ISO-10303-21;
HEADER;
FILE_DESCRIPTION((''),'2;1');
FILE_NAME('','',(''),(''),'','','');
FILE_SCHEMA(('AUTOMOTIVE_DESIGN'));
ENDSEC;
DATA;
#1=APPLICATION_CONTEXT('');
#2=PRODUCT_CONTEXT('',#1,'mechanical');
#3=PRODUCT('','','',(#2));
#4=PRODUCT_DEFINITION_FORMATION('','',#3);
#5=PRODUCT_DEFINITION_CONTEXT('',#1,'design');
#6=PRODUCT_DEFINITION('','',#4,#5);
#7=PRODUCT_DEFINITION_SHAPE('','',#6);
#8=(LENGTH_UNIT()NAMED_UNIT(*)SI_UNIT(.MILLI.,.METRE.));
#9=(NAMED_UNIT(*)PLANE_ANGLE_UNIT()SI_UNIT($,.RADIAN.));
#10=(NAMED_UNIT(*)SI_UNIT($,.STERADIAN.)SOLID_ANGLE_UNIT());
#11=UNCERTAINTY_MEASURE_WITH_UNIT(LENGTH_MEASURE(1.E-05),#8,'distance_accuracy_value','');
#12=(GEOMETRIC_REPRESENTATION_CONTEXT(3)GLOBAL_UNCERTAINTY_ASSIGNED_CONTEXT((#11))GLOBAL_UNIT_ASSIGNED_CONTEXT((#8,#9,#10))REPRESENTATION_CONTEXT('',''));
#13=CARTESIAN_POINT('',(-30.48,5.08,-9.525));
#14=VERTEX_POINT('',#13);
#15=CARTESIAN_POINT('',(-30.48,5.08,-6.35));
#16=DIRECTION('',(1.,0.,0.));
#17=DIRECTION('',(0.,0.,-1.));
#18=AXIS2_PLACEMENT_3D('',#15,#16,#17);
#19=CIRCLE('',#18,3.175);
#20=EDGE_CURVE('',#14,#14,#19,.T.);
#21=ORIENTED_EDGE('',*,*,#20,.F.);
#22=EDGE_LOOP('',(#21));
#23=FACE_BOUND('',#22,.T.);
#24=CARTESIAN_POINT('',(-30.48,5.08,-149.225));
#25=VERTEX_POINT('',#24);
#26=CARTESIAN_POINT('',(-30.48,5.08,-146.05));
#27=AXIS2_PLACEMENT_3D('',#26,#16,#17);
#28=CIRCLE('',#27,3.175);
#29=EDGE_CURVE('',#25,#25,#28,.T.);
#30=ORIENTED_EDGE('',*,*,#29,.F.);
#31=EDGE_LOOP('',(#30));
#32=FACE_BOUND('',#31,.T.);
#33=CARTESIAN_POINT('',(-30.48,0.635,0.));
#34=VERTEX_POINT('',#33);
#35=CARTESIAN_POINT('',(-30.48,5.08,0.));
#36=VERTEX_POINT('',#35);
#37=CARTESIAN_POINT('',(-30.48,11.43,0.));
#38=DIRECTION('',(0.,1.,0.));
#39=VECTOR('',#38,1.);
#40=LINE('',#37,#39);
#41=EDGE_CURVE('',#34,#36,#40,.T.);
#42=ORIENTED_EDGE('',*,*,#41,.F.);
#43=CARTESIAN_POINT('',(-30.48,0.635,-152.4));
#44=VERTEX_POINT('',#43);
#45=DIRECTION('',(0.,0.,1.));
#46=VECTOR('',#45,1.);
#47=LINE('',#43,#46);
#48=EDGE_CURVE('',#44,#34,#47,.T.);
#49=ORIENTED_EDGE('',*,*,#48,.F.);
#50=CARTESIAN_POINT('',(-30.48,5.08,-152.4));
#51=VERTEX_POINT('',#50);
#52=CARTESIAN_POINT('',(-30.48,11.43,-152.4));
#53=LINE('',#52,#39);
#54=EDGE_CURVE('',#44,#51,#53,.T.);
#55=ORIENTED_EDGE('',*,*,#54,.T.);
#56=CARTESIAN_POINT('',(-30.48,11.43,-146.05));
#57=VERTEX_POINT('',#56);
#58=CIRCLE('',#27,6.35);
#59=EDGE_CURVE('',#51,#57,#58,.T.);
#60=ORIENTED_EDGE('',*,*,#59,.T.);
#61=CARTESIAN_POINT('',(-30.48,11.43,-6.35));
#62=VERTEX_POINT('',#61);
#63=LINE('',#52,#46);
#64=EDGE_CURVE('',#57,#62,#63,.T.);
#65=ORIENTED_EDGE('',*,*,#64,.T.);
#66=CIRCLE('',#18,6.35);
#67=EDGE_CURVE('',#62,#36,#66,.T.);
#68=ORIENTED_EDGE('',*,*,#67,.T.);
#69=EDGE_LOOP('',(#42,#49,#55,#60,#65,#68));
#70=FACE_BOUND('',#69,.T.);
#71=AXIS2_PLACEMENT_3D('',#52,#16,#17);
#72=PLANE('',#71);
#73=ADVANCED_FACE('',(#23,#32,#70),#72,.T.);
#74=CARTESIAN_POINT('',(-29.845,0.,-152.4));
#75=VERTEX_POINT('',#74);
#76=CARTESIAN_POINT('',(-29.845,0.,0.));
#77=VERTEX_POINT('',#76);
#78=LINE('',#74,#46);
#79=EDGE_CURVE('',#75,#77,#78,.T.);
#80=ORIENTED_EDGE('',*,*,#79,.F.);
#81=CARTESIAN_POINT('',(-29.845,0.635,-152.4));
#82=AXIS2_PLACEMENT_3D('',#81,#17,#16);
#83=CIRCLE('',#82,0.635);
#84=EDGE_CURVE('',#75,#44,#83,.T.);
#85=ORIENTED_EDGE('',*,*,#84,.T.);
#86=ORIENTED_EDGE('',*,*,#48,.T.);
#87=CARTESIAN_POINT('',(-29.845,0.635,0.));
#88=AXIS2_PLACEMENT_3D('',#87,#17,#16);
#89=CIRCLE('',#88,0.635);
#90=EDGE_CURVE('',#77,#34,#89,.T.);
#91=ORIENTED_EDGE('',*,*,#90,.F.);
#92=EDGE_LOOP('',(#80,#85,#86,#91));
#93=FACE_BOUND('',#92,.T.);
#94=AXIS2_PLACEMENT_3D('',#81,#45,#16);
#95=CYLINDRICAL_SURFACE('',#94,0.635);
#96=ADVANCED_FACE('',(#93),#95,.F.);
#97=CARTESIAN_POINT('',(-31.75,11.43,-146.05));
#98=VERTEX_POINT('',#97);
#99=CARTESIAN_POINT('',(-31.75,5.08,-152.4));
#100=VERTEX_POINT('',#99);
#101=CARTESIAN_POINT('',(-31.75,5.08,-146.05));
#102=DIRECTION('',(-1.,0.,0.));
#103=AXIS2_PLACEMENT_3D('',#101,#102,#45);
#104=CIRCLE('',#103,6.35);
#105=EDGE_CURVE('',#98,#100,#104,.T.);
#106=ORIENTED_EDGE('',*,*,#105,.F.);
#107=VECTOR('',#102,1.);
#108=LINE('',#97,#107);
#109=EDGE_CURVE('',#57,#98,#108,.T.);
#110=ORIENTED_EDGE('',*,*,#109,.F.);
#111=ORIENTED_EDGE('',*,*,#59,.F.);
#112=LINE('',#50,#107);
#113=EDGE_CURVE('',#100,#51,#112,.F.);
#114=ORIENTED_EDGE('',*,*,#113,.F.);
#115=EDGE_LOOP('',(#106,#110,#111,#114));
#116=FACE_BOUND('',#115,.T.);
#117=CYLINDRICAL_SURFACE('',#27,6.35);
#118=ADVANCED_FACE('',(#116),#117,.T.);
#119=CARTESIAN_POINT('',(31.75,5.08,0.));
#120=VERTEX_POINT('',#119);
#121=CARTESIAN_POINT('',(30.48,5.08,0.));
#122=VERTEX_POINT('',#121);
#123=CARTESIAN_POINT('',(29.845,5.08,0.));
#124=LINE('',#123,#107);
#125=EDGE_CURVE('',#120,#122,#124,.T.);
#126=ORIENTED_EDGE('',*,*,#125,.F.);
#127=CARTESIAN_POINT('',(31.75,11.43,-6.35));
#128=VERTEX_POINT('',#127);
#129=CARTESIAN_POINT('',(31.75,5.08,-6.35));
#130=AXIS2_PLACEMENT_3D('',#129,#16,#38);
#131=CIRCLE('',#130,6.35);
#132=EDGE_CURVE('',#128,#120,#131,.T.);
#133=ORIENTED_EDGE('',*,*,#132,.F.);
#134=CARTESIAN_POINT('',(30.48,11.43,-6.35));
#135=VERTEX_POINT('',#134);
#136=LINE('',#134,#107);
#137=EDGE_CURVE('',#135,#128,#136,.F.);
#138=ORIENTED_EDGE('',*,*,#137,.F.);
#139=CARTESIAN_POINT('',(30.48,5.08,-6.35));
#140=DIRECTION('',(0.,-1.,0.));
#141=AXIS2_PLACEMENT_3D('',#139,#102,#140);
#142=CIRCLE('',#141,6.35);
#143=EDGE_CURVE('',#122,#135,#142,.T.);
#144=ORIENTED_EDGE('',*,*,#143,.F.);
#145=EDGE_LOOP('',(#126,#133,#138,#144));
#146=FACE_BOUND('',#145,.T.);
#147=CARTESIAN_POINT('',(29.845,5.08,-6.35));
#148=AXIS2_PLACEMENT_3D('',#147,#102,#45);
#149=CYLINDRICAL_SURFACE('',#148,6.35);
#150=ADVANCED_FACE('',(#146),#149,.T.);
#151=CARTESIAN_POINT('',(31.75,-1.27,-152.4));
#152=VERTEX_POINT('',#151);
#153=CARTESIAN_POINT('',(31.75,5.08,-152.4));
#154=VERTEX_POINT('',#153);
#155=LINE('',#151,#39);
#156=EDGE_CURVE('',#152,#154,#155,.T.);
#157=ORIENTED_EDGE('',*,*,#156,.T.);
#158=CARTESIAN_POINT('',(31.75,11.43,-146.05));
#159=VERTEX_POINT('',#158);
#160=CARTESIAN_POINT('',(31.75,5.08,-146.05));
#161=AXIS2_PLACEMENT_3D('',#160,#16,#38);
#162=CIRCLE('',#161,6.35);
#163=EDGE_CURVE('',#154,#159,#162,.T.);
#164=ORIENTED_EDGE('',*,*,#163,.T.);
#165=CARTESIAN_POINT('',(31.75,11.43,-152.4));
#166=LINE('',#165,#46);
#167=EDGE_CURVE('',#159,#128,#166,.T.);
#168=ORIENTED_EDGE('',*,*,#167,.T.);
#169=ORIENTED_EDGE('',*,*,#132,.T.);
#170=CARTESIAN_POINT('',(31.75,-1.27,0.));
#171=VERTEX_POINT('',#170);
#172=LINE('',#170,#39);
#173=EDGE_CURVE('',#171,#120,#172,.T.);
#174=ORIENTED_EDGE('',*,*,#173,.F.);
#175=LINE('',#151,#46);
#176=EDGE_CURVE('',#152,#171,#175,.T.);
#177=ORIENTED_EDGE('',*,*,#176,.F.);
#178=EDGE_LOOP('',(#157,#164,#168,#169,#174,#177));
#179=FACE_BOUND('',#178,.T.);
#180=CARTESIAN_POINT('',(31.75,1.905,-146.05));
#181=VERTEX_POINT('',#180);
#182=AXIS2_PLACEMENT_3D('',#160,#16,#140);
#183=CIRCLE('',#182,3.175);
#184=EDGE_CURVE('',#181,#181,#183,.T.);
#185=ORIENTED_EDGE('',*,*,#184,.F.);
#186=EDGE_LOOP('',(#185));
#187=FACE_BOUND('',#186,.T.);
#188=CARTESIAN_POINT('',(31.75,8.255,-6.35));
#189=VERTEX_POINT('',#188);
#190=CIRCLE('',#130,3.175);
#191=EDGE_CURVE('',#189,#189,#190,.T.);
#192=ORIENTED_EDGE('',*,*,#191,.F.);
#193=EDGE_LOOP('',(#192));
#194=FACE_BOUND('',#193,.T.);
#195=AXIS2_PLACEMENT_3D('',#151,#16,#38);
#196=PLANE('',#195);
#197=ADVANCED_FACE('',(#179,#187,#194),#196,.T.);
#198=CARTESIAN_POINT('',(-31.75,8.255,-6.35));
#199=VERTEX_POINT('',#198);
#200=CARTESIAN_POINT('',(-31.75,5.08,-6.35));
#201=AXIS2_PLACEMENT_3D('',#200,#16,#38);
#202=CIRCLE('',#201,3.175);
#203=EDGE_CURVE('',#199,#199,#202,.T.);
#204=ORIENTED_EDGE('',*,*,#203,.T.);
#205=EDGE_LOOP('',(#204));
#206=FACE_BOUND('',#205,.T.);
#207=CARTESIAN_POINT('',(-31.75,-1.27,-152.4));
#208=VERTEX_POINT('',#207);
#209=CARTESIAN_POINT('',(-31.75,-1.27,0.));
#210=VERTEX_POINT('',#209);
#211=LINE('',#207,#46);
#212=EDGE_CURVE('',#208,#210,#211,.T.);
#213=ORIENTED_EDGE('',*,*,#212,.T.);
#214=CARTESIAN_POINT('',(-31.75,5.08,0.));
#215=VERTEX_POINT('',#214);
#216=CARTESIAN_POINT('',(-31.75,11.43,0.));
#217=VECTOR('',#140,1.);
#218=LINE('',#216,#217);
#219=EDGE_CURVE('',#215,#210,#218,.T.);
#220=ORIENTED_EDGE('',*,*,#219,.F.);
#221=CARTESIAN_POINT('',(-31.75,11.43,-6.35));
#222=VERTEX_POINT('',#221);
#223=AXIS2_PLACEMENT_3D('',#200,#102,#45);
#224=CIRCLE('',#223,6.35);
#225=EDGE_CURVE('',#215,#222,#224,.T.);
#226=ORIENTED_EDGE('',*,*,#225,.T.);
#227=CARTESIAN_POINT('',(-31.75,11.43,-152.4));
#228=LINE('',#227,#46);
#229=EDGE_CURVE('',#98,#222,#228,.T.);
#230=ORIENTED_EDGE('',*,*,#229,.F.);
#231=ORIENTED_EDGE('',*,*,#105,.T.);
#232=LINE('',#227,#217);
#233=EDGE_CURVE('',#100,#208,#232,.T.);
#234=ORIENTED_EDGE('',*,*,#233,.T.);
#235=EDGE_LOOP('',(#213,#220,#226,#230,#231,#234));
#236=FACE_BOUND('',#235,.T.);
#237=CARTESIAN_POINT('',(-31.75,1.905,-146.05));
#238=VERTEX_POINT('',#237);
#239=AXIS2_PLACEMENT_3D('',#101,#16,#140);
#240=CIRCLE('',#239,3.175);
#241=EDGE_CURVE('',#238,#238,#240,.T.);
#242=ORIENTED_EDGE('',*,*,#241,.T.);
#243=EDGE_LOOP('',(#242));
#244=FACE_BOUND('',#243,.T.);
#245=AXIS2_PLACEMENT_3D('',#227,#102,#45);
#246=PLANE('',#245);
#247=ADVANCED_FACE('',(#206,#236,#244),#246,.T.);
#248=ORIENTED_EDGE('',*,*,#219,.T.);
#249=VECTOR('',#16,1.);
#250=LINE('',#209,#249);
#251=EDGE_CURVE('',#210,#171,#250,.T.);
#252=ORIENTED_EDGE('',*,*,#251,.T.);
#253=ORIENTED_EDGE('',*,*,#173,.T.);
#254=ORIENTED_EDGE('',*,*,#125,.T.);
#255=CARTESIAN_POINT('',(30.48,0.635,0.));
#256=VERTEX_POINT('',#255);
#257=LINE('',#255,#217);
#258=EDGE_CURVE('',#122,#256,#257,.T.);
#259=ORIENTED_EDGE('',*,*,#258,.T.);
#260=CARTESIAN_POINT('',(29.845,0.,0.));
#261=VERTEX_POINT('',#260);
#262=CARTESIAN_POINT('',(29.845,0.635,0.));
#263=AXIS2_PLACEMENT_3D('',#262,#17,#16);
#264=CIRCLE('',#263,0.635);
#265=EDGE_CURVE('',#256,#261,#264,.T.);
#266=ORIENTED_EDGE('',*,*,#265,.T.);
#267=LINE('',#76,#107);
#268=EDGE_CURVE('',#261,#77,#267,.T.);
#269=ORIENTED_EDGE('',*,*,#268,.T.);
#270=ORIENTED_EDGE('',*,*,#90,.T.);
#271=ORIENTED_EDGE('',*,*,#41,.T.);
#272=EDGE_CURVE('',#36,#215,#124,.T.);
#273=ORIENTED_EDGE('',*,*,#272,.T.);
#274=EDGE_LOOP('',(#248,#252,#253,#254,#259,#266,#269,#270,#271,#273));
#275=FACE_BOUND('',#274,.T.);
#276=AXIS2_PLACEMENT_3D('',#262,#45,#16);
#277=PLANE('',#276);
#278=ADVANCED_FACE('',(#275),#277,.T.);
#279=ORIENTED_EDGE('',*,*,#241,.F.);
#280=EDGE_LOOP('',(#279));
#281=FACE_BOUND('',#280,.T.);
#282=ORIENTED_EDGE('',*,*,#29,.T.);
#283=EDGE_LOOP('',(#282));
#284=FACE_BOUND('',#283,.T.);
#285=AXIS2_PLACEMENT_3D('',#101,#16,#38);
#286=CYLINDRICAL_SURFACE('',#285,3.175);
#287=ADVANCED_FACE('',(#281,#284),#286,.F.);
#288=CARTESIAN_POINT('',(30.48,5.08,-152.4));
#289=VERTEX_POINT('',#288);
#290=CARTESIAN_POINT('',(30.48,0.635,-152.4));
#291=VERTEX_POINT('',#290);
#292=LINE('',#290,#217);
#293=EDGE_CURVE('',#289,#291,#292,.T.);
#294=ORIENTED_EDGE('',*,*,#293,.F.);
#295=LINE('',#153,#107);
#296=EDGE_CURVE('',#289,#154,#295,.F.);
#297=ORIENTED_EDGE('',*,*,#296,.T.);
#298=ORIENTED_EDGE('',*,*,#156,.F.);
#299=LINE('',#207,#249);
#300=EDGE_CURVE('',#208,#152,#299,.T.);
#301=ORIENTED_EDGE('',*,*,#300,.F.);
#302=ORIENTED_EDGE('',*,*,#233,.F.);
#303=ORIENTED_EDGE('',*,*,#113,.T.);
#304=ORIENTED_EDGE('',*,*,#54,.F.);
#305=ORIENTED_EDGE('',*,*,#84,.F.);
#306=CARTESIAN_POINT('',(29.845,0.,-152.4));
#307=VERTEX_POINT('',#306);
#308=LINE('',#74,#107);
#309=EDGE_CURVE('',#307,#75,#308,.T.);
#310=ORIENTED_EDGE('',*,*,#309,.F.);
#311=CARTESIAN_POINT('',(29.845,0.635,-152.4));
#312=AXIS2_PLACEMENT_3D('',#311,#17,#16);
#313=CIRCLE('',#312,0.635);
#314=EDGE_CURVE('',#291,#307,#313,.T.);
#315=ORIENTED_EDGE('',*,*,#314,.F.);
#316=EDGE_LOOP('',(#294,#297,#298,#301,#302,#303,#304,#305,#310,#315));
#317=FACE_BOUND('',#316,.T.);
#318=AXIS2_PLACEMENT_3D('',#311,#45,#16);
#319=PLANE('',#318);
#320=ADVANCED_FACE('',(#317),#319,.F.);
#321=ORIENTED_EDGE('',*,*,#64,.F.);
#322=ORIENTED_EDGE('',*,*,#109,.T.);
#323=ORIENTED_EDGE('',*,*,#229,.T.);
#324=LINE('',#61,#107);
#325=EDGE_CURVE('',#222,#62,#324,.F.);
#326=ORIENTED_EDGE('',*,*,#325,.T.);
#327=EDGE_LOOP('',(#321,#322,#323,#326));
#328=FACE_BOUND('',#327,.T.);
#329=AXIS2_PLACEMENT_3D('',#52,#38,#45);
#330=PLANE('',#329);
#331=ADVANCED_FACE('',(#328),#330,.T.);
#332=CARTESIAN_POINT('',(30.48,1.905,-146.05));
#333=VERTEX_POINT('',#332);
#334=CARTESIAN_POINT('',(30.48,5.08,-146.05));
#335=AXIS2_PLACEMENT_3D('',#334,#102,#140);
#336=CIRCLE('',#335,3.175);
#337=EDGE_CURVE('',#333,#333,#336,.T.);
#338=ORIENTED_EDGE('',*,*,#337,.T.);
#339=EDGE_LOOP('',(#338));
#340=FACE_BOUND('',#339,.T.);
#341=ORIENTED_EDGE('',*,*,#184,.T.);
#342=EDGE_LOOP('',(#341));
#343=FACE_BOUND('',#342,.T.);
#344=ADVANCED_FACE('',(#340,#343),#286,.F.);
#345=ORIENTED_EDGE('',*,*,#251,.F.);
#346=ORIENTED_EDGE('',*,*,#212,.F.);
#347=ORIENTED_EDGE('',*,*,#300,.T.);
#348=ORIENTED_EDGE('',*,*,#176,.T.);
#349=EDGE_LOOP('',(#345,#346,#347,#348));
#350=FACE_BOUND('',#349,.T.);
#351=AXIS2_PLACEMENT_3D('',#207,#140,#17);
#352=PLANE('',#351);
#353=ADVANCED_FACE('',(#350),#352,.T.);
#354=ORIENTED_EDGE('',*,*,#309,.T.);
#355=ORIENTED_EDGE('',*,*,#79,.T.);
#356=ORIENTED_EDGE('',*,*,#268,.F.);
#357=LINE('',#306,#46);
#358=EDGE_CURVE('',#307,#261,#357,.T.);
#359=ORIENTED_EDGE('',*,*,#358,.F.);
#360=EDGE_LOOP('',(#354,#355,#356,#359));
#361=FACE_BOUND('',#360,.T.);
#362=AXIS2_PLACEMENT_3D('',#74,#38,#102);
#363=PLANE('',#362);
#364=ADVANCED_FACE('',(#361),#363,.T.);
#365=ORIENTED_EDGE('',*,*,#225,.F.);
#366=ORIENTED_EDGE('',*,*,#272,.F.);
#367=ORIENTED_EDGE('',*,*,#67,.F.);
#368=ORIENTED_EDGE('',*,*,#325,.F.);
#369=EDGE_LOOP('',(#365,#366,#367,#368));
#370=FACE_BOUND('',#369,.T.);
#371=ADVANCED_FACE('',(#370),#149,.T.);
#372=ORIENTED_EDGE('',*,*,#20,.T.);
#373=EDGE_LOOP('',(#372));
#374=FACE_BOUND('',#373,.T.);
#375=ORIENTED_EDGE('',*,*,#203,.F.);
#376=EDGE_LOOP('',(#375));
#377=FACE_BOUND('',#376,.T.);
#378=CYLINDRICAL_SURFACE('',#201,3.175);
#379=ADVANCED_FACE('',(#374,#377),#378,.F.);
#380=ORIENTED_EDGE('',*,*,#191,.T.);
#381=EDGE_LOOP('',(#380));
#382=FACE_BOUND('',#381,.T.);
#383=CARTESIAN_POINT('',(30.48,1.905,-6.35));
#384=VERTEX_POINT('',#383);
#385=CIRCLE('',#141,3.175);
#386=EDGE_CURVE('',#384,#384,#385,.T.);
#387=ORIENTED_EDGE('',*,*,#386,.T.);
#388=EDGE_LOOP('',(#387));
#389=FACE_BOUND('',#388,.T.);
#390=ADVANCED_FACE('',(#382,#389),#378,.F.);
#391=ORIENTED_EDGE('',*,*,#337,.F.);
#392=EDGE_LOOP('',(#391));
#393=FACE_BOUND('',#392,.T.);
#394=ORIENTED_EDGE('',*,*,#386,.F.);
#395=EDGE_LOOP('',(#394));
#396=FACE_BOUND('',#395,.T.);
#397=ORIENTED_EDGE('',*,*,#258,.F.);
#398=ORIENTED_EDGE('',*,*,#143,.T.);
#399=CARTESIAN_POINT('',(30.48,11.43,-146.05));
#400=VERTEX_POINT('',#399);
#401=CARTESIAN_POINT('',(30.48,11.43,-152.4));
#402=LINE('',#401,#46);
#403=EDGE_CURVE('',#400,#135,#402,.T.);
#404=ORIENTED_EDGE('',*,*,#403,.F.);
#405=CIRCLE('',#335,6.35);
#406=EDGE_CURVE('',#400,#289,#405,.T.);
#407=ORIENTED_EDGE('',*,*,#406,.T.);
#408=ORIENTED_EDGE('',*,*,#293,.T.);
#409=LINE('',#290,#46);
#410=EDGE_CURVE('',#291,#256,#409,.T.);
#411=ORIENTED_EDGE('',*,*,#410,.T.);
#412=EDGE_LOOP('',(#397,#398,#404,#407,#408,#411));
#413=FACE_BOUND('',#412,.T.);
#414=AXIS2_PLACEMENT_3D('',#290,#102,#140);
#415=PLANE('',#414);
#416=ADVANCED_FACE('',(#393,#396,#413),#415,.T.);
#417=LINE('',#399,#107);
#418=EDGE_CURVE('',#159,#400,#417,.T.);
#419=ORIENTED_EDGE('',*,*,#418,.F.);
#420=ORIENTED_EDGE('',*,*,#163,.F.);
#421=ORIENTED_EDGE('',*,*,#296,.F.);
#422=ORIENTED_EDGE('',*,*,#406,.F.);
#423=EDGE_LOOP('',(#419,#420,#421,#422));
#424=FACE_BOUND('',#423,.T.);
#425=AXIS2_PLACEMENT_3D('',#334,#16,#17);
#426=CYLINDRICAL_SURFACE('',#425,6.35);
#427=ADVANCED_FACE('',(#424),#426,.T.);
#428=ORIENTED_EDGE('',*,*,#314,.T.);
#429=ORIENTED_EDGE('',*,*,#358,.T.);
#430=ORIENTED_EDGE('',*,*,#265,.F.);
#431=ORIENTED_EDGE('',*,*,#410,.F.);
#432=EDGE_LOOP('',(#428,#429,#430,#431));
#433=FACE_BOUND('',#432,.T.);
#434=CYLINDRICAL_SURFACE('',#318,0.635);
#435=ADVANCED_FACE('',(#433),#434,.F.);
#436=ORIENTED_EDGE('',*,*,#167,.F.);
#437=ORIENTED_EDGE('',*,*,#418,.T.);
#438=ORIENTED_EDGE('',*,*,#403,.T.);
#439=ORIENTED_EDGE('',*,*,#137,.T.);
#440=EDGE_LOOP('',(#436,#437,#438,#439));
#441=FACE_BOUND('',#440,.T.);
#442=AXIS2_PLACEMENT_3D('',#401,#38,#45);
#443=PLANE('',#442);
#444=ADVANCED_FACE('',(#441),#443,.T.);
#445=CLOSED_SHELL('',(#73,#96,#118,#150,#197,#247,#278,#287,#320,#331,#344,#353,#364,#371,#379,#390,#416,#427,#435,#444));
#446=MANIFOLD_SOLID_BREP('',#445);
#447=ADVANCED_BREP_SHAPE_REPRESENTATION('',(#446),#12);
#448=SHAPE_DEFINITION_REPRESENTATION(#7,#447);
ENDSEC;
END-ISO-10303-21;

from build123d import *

# Parameters (mm, degrees)
BOSS_EXTRUDE1_DEPTH = 152.4
FILLET1_R           = 6.35
SKETCH2_R           = 3.175
CUT_EXTRUDE1_DEPTH  = 64.5


with BuildPart() as part:
    # Sketch1 → Boss-Extrude1 (new body)
    with BuildSketch(Plane.XY):
        with BuildLine():
            Line((-30.48, 11.43), (-30.48, 0.635))
            ThreePointArc((-30.48, 0.635), (-30.294012806, 0.185987194), (-29.845, 0))
            Line((-29.845, 0), (29.845, 0))
            ThreePointArc((29.845, 0), (30.294012806, 0.185987194), (30.48, 0.635))
            Line((30.48, 0.635), (30.48, 11.43))
            Line((30.48, 11.43), (31.75, 11.43))
            Line((31.75, 11.43), (31.75, -1.27))
            Line((31.75, -1.27), (-31.75, -1.27))
            Line((-31.75, -1.27), (-31.75, 11.43))
            Line((-31.75, 11.43), (-30.48, 11.43))
        make_face()
    extrude(amount=-BOSS_EXTRUDE1_DEPTH)

    # Fillet1
    fillet1_edges = [part.edges().sort_by_distance(p)[0] for p in [
        (31.115, 11.43, 0),
        (-31.115, 11.43, 0),
        (31.115, 11.43, -152.4),
        (-31.115, 11.43, -152.4),
    ]]
    fillet(fillet1_edges, radius=FILLET1_R)

    # Sketch2 → Cut-Extrude1 (cut, through all)
    with BuildSketch(Plane(origin=(31.75, 0, 0), x_dir=(0, 0, -1), z_dir=(1, 0, 0))):
        with Locations((6.35, 5.08)):
            Circle(SKETCH2_R)
        with Locations((146.05, 5.08)):
            Circle(SKETCH2_R)
    extrude(amount=-CUT_EXTRUDE1_DEPTH, mode=Mode.SUBTRACT)


solid = part.part
